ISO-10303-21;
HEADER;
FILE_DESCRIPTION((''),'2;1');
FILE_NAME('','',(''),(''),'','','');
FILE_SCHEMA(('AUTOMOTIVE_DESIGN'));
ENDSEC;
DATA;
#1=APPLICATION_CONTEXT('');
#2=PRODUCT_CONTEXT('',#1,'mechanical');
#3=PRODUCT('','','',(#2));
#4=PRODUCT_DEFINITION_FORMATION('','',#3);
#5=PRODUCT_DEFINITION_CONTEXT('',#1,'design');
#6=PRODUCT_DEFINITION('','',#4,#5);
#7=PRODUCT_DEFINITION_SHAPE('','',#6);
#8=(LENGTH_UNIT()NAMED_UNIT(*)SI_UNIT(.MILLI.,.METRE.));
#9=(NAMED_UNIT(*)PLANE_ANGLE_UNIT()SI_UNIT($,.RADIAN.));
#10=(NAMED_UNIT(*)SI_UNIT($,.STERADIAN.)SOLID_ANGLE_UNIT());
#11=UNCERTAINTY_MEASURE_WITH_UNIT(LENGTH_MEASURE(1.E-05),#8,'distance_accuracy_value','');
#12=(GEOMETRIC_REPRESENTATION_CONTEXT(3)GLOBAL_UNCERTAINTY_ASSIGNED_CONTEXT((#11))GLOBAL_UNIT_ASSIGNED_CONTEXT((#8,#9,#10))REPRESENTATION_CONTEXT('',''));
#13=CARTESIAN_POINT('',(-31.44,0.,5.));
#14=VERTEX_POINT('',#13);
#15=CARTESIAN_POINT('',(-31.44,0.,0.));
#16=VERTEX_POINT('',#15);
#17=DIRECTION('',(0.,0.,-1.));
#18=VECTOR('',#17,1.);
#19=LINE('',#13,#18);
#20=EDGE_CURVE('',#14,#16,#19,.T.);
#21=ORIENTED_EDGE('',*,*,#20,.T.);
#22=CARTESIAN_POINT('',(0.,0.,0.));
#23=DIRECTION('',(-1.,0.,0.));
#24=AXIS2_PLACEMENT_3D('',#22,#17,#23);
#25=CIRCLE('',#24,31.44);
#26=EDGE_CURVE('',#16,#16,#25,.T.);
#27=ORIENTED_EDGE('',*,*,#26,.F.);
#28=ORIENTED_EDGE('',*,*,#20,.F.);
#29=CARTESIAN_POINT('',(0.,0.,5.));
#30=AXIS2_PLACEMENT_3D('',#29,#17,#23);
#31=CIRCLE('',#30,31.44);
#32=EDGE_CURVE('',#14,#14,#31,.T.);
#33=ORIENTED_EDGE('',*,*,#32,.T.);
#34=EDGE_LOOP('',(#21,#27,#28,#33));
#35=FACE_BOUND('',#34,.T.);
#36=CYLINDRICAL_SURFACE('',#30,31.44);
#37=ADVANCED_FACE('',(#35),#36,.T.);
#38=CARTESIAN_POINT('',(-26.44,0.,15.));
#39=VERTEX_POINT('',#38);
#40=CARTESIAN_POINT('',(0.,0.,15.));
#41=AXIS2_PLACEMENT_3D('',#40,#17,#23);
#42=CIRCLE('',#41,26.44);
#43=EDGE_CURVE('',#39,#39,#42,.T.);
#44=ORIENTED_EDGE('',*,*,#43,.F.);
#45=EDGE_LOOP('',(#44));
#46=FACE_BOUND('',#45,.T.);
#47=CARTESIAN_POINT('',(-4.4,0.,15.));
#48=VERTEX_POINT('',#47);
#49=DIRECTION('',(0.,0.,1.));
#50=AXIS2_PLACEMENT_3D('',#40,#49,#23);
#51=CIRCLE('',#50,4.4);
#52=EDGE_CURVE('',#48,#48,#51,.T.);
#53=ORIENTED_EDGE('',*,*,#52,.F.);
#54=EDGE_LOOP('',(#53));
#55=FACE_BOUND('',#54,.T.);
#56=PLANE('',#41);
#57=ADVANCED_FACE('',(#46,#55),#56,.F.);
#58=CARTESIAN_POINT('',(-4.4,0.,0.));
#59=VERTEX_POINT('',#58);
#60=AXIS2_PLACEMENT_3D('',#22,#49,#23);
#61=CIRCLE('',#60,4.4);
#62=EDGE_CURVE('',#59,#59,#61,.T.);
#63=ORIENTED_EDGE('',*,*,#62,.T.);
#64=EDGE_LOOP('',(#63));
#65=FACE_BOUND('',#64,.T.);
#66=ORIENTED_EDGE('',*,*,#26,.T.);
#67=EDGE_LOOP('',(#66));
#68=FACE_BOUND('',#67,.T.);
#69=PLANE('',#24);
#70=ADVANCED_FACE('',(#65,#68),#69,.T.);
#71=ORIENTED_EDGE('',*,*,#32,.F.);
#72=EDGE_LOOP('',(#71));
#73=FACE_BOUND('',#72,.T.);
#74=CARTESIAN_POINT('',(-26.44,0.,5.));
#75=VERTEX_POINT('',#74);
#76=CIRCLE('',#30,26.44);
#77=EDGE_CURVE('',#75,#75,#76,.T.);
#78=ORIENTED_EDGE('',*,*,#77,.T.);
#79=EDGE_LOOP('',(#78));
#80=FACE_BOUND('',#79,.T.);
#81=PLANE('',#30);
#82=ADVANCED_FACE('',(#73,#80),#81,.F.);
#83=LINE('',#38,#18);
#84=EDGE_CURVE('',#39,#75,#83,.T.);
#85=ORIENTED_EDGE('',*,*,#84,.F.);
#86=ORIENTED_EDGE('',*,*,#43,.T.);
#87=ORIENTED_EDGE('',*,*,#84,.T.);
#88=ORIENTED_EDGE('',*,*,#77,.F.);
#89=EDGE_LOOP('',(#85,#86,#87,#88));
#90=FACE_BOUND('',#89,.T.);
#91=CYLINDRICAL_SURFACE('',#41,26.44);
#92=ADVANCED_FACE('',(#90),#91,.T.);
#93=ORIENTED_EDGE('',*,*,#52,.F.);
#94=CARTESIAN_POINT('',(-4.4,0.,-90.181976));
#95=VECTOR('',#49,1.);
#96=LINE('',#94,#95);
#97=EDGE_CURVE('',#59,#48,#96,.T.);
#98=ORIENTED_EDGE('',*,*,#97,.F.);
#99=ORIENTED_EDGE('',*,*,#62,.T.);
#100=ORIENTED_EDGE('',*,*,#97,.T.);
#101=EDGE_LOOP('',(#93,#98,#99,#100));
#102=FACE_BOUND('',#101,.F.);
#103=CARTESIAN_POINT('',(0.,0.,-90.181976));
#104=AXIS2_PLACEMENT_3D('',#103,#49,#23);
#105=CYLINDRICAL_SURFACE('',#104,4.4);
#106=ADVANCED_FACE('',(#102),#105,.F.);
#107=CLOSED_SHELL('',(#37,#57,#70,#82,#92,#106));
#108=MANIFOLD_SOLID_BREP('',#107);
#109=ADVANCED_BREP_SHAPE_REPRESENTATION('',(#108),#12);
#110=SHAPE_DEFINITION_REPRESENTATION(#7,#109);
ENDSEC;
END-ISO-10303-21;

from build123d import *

# Parameters (mm, degrees)
F3_D = 8.8


with BuildPart() as f1:
    # F0 (on Front) → F1 (revolve)
    with BuildSketch(Plane.XZ):
        Polygon((-31.44, 0), (0, 0), (0, 15), (-26.44, 15), (-26.44, 5), (-31.44, 5), align=None)
    revolve(axis=Axis((0, 0, 7.5), (0, 0, -1)))

    # F3 (through all)
    with Locations(Plane(origin=(0, 0, 0), x_dir=(1, 0, 0), z_dir=(0, 0, -1))):
        with Locations((0, 0)):
            Hole(F3_D / 2)


solid = f1.part
